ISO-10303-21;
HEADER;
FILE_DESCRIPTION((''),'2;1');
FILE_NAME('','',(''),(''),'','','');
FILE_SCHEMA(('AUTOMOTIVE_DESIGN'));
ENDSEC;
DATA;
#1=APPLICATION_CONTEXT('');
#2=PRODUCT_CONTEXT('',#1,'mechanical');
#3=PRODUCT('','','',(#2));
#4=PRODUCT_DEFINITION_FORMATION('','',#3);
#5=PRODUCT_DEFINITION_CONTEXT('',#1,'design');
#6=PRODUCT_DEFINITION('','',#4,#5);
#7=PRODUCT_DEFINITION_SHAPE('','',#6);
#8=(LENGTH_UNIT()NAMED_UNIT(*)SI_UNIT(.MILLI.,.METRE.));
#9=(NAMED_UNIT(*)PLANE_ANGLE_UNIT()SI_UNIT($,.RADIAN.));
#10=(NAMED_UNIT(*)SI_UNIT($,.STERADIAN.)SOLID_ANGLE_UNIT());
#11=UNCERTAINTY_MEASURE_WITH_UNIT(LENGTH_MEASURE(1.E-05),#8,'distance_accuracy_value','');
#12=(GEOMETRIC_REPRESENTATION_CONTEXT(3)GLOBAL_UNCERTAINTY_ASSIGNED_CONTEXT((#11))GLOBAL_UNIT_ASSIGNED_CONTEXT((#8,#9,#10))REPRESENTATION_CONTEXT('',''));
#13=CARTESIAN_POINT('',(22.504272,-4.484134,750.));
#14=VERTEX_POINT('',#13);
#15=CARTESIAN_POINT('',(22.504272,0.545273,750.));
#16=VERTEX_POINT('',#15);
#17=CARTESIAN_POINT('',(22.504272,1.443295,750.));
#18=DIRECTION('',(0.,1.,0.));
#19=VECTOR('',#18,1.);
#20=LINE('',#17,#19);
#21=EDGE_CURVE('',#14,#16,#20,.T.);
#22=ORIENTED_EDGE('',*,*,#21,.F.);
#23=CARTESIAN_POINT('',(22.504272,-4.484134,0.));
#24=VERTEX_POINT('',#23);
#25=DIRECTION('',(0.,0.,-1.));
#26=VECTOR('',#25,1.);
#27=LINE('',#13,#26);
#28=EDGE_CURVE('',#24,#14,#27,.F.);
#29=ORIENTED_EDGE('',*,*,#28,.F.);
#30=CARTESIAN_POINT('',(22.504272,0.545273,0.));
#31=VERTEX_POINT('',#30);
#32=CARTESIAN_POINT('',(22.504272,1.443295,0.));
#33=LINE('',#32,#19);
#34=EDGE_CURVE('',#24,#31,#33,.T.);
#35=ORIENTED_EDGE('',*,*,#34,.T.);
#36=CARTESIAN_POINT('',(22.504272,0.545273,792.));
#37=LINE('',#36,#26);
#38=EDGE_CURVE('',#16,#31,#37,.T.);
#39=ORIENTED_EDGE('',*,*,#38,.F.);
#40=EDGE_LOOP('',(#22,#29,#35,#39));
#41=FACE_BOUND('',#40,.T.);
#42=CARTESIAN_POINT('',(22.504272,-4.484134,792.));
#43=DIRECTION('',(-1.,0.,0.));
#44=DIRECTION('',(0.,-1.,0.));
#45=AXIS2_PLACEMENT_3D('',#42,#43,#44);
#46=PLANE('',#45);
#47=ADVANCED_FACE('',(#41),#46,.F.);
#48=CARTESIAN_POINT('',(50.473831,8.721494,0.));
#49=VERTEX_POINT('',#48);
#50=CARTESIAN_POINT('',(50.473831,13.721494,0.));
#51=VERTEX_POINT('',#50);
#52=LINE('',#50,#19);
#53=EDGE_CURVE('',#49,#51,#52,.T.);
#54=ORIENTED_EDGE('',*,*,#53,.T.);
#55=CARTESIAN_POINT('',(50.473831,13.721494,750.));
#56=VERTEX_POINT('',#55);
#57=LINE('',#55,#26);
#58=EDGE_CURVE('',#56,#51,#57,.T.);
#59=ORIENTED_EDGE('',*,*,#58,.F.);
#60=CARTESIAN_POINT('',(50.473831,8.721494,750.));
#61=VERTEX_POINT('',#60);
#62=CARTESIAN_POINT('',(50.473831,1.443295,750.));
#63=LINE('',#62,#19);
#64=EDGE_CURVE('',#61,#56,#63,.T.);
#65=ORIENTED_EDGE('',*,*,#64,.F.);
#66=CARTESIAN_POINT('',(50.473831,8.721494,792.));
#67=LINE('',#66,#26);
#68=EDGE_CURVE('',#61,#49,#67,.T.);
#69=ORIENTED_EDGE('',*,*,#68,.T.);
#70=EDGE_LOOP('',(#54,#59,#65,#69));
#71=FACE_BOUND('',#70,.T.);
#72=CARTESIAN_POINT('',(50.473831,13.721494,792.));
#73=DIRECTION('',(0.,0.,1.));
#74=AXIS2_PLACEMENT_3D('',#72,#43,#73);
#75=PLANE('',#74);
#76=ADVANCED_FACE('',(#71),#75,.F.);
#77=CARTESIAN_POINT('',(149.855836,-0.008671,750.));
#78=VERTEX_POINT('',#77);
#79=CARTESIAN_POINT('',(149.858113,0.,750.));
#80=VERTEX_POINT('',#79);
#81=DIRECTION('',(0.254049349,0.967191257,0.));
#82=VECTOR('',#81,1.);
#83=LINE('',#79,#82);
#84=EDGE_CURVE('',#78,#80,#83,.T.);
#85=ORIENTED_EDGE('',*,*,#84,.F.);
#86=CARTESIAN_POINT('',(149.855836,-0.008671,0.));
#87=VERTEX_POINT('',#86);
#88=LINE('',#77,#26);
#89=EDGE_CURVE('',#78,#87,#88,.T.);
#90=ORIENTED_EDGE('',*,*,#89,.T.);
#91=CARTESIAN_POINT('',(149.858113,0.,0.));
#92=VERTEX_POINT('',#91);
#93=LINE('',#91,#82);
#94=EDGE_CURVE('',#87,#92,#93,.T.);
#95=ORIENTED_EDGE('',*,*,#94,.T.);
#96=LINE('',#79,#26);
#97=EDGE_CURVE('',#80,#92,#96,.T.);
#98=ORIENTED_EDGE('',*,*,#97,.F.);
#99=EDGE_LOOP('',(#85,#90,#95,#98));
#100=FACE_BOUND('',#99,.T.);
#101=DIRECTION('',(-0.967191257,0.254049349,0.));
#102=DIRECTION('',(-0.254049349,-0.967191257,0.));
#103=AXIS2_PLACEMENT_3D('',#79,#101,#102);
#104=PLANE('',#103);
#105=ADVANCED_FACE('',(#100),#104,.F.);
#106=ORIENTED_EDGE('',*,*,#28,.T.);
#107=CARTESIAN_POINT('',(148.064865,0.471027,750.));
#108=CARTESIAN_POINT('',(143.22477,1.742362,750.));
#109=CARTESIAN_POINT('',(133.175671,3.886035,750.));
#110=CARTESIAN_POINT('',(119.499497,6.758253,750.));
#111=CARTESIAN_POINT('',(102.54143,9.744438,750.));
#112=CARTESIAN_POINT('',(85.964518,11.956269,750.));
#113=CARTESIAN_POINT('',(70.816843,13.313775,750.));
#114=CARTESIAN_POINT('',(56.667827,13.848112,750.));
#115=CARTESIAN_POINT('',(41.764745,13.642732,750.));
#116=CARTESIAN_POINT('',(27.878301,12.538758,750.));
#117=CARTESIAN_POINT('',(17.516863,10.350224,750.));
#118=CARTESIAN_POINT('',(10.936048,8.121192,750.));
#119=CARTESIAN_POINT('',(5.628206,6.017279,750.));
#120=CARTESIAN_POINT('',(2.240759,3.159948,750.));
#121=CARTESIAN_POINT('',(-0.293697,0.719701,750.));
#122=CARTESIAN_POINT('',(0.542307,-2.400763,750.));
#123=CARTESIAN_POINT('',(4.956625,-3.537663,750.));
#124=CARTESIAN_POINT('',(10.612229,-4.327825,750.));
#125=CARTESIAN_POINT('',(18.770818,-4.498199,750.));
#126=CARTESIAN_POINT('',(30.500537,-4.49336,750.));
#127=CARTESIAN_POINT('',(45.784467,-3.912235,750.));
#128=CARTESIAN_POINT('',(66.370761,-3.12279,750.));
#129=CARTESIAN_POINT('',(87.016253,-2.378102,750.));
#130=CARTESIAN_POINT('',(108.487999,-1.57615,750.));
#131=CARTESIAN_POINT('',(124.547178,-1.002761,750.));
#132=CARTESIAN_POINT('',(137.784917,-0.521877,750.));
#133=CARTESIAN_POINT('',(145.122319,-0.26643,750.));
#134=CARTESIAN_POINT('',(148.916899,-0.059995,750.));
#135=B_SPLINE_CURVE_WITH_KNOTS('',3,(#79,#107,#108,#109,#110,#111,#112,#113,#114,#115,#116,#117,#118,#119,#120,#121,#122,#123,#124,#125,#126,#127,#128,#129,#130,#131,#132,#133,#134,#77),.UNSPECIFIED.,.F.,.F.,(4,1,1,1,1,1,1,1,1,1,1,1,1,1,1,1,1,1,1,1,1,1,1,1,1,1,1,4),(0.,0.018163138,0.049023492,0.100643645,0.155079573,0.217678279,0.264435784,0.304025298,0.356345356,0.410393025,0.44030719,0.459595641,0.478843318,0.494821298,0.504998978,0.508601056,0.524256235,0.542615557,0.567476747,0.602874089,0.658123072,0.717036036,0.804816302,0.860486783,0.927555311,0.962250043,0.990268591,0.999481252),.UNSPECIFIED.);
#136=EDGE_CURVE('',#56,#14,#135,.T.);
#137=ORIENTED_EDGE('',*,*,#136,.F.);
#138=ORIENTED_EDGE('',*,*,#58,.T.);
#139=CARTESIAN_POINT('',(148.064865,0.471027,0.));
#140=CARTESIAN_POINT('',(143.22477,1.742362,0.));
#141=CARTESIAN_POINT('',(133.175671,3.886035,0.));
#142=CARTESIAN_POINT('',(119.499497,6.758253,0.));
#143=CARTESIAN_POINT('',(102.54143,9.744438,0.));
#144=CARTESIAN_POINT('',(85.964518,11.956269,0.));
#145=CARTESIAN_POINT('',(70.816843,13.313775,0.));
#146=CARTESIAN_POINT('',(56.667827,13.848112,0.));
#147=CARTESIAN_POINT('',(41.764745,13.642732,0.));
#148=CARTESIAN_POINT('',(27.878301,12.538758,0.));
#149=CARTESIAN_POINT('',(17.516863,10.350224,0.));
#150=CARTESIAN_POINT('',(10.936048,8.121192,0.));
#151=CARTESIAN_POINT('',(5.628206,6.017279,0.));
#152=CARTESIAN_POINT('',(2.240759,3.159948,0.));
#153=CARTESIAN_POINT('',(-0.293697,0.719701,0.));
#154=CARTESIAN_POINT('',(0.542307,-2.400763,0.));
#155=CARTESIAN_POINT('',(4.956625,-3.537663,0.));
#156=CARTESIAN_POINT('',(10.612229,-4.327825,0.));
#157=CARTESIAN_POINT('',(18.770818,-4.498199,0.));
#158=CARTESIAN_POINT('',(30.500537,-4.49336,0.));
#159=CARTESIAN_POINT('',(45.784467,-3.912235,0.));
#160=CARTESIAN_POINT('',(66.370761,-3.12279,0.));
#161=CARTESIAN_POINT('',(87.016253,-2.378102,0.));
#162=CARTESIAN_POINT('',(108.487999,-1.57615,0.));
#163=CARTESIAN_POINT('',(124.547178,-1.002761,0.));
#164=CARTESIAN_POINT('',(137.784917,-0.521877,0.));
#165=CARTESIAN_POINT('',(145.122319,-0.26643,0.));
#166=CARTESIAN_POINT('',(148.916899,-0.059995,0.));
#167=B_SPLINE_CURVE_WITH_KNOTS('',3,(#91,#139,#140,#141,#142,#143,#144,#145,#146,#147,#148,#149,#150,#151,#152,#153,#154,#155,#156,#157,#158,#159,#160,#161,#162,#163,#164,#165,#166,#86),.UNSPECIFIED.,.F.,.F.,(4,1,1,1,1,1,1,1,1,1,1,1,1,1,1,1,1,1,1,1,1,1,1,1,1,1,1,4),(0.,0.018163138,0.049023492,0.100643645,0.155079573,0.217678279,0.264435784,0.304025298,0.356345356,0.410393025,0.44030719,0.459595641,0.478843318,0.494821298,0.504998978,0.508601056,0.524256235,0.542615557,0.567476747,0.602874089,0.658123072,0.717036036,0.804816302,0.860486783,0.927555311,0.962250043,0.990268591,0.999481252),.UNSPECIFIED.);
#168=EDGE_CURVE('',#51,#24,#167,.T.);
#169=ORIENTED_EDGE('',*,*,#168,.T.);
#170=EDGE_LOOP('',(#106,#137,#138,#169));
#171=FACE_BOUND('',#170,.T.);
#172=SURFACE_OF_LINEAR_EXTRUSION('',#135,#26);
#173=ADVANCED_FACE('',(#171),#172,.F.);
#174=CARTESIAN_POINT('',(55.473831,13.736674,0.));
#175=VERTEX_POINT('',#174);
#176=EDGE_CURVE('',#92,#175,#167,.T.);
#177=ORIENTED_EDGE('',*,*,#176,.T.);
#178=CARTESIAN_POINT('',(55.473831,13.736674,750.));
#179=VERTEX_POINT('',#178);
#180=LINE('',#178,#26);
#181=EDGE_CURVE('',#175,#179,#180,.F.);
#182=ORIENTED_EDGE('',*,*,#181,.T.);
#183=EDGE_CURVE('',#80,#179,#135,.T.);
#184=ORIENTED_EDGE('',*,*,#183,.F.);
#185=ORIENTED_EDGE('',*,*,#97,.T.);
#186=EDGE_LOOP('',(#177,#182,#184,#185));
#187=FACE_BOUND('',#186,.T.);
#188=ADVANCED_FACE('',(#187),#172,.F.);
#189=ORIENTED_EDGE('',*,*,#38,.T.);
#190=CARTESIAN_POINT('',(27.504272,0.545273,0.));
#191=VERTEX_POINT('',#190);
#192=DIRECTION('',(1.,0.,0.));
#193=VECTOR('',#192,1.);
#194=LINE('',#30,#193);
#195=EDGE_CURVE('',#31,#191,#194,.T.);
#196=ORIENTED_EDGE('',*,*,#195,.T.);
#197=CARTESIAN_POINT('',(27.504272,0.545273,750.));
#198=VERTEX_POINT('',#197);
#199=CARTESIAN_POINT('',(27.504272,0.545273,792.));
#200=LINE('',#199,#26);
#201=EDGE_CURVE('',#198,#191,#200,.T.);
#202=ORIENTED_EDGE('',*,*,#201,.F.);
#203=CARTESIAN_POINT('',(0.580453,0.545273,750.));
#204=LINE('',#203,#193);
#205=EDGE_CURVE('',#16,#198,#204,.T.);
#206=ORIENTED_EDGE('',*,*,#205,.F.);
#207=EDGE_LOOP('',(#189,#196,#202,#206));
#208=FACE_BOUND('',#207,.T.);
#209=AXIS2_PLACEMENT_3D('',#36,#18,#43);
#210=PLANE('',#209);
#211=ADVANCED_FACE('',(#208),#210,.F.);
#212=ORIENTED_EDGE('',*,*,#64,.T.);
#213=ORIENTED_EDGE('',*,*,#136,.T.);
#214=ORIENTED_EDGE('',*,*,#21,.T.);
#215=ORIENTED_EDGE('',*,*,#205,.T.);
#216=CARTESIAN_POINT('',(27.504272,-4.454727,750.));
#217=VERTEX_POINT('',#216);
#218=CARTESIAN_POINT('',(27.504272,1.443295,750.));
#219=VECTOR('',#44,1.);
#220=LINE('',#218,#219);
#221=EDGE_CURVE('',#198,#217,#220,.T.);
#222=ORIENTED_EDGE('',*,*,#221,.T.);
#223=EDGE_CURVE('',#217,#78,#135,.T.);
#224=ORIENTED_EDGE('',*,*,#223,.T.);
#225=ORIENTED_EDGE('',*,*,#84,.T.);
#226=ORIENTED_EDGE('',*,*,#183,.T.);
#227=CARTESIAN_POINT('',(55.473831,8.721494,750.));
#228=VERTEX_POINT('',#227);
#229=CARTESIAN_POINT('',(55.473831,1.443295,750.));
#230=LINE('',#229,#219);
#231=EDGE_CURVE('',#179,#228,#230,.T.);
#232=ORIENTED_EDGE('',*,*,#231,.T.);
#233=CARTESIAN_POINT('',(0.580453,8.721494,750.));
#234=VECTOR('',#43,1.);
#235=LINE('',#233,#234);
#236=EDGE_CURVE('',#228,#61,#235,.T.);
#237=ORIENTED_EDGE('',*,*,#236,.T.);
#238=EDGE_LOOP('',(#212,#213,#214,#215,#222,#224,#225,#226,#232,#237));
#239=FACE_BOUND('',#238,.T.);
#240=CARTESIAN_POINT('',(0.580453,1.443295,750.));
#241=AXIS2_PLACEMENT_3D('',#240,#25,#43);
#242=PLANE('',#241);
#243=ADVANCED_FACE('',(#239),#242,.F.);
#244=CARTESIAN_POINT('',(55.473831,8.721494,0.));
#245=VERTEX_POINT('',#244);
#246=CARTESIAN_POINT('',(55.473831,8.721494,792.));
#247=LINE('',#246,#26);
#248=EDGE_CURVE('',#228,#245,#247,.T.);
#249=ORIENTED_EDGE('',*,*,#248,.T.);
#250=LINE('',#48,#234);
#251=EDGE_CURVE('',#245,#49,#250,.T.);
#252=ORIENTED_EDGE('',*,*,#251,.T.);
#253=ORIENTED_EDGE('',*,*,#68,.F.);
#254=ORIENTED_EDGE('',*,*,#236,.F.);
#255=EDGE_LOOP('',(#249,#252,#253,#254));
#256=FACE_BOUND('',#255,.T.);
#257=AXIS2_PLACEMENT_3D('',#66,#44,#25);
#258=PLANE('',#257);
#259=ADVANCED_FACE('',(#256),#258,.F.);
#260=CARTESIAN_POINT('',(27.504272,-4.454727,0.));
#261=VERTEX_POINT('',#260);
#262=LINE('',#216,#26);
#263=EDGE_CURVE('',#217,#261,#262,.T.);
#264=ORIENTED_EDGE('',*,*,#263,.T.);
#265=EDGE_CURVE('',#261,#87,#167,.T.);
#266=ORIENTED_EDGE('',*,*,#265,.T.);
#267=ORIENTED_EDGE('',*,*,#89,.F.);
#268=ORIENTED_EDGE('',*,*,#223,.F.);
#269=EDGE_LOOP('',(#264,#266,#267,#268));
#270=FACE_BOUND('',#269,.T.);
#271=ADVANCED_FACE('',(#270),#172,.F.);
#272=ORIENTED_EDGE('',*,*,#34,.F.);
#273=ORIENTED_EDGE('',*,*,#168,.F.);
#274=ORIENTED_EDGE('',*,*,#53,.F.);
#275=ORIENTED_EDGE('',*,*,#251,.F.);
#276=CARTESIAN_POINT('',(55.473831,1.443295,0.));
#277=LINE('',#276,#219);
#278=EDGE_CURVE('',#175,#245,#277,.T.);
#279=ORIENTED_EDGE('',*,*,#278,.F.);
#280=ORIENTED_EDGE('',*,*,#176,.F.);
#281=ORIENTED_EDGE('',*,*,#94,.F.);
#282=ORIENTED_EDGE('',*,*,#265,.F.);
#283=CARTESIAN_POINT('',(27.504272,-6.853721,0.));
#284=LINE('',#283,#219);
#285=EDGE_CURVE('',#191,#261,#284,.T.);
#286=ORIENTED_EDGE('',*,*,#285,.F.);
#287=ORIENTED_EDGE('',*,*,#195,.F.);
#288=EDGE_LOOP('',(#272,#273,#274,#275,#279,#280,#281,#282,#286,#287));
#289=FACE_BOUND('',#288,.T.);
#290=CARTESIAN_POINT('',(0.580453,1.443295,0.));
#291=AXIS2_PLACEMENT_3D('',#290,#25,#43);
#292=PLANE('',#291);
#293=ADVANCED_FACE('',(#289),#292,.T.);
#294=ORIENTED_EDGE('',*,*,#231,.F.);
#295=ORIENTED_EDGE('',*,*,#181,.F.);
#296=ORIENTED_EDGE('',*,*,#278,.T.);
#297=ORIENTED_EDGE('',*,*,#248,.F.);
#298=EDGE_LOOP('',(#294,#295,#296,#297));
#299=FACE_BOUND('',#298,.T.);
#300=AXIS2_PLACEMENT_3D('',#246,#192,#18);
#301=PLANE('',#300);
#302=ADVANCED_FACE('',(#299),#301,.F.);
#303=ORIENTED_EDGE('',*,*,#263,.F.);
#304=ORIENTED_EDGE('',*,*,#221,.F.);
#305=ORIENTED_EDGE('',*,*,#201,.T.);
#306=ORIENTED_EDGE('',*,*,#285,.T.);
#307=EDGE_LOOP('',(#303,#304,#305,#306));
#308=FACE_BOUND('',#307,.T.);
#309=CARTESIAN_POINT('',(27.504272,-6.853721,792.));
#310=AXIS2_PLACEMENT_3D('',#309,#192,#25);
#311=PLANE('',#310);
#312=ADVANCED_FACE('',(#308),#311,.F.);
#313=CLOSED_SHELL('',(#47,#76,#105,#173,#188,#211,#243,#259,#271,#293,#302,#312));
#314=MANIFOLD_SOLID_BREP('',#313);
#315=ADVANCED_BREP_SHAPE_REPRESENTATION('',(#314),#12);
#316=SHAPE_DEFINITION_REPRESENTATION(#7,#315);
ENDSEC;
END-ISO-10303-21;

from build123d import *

# Parameters (mm, degrees)
BOSS_EXTRUDE1_DEPTH = 750
CUT_EXTRUDE1_DEPTH  = 792


with BuildPart() as part:
    # Sketch1 → Boss-Extrude1 (new body)
    with BuildSketch(Plane.XY):
        with BuildLine():
            Line((149.858113324, 0), (149.855835651, -0.00867133))
            add(Edge.make_bspline(
                [(149.858113324, 0), (148.064864637, 0.471027481), (143.224769961, 1.742362118), (133.175670914, 3.886034627), (119.499496989, 6.758253215), (102.541429982, 9.744438365), (85.964517719, 11.956268792), (70.816843468, 13.313775138), (56.667826786, 13.848112216), (41.764744871, 13.642732387), (27.878301368, 12.538757837), (17.516862727, 10.350224421), (10.936048166, 8.121191966), (5.628206266, 6.017279046), (2.240759138, 3.159947775), (-0.293696922, 0.719700584), (0.542306535, -2.400763115), (4.956625023, -3.537663372), (10.612229447, -4.327824942), (18.770818109, -4.498199411), (30.500536827, -4.493359859), (45.784466548, -3.912234803), (66.370760986, -3.122790256), (87.01625275, -2.378102064), (108.487999193, -1.576150156), (124.547177916, -1.002761448), (137.784916862, -0.521876849), (145.122318881, -0.266429976), (148.916898874, -0.059994798), (149.855835651, -0.00867133)],
                knots=[0, 0, 0, 0, 0.018163138, 0.049023492, 0.100643645, 0.155079573, 0.217678279, 0.264435784, 0.304025298, 0.356345356, 0.410393025, 0.44030719, 0.459595641, 0.478843318, 0.494821298, 0.504998978, 0.508601056, 0.524256235, 0.542615557, 0.567476747, 0.602874089, 0.658123072, 0.717036036, 0.804816302, 0.860486783, 0.927555311, 0.962250043, 0.990268591, 0.999481252, 0.999481252, 0.999481252, 0.999481252], degree=3))
        make_face()
    extrude(amount=BOSS_EXTRUDE1_DEPTH)

    # Sketch2 → Cut-Extrude1 (cut)
    with BuildSketch(Plane(origin=(0, 0, 0), x_dir=(-1, 0, 0), z_dir=(0, 0, -1))):
        Polygon((-22.50427157, -4.484133504), (-22.50427157, 0.545272615), (-27.50427157, 0.545272615), (-27.50427157, -4.454727385), (-27.50427157, -6.853720537), (-22.50427157, -6.853720537), align=None)
        Polygon((-50.473830582, 13.72149366), (-50.473830582, 8.72149366), (-55.473830582, 8.72149366), (-55.473830582, 13.736673966), (-55.473830582, 14.869787579), (-50.473830582, 14.869787579), align=None)
    extrude(amount=-CUT_EXTRUDE1_DEPTH, mode=Mode.SUBTRACT)


solid = part.part
